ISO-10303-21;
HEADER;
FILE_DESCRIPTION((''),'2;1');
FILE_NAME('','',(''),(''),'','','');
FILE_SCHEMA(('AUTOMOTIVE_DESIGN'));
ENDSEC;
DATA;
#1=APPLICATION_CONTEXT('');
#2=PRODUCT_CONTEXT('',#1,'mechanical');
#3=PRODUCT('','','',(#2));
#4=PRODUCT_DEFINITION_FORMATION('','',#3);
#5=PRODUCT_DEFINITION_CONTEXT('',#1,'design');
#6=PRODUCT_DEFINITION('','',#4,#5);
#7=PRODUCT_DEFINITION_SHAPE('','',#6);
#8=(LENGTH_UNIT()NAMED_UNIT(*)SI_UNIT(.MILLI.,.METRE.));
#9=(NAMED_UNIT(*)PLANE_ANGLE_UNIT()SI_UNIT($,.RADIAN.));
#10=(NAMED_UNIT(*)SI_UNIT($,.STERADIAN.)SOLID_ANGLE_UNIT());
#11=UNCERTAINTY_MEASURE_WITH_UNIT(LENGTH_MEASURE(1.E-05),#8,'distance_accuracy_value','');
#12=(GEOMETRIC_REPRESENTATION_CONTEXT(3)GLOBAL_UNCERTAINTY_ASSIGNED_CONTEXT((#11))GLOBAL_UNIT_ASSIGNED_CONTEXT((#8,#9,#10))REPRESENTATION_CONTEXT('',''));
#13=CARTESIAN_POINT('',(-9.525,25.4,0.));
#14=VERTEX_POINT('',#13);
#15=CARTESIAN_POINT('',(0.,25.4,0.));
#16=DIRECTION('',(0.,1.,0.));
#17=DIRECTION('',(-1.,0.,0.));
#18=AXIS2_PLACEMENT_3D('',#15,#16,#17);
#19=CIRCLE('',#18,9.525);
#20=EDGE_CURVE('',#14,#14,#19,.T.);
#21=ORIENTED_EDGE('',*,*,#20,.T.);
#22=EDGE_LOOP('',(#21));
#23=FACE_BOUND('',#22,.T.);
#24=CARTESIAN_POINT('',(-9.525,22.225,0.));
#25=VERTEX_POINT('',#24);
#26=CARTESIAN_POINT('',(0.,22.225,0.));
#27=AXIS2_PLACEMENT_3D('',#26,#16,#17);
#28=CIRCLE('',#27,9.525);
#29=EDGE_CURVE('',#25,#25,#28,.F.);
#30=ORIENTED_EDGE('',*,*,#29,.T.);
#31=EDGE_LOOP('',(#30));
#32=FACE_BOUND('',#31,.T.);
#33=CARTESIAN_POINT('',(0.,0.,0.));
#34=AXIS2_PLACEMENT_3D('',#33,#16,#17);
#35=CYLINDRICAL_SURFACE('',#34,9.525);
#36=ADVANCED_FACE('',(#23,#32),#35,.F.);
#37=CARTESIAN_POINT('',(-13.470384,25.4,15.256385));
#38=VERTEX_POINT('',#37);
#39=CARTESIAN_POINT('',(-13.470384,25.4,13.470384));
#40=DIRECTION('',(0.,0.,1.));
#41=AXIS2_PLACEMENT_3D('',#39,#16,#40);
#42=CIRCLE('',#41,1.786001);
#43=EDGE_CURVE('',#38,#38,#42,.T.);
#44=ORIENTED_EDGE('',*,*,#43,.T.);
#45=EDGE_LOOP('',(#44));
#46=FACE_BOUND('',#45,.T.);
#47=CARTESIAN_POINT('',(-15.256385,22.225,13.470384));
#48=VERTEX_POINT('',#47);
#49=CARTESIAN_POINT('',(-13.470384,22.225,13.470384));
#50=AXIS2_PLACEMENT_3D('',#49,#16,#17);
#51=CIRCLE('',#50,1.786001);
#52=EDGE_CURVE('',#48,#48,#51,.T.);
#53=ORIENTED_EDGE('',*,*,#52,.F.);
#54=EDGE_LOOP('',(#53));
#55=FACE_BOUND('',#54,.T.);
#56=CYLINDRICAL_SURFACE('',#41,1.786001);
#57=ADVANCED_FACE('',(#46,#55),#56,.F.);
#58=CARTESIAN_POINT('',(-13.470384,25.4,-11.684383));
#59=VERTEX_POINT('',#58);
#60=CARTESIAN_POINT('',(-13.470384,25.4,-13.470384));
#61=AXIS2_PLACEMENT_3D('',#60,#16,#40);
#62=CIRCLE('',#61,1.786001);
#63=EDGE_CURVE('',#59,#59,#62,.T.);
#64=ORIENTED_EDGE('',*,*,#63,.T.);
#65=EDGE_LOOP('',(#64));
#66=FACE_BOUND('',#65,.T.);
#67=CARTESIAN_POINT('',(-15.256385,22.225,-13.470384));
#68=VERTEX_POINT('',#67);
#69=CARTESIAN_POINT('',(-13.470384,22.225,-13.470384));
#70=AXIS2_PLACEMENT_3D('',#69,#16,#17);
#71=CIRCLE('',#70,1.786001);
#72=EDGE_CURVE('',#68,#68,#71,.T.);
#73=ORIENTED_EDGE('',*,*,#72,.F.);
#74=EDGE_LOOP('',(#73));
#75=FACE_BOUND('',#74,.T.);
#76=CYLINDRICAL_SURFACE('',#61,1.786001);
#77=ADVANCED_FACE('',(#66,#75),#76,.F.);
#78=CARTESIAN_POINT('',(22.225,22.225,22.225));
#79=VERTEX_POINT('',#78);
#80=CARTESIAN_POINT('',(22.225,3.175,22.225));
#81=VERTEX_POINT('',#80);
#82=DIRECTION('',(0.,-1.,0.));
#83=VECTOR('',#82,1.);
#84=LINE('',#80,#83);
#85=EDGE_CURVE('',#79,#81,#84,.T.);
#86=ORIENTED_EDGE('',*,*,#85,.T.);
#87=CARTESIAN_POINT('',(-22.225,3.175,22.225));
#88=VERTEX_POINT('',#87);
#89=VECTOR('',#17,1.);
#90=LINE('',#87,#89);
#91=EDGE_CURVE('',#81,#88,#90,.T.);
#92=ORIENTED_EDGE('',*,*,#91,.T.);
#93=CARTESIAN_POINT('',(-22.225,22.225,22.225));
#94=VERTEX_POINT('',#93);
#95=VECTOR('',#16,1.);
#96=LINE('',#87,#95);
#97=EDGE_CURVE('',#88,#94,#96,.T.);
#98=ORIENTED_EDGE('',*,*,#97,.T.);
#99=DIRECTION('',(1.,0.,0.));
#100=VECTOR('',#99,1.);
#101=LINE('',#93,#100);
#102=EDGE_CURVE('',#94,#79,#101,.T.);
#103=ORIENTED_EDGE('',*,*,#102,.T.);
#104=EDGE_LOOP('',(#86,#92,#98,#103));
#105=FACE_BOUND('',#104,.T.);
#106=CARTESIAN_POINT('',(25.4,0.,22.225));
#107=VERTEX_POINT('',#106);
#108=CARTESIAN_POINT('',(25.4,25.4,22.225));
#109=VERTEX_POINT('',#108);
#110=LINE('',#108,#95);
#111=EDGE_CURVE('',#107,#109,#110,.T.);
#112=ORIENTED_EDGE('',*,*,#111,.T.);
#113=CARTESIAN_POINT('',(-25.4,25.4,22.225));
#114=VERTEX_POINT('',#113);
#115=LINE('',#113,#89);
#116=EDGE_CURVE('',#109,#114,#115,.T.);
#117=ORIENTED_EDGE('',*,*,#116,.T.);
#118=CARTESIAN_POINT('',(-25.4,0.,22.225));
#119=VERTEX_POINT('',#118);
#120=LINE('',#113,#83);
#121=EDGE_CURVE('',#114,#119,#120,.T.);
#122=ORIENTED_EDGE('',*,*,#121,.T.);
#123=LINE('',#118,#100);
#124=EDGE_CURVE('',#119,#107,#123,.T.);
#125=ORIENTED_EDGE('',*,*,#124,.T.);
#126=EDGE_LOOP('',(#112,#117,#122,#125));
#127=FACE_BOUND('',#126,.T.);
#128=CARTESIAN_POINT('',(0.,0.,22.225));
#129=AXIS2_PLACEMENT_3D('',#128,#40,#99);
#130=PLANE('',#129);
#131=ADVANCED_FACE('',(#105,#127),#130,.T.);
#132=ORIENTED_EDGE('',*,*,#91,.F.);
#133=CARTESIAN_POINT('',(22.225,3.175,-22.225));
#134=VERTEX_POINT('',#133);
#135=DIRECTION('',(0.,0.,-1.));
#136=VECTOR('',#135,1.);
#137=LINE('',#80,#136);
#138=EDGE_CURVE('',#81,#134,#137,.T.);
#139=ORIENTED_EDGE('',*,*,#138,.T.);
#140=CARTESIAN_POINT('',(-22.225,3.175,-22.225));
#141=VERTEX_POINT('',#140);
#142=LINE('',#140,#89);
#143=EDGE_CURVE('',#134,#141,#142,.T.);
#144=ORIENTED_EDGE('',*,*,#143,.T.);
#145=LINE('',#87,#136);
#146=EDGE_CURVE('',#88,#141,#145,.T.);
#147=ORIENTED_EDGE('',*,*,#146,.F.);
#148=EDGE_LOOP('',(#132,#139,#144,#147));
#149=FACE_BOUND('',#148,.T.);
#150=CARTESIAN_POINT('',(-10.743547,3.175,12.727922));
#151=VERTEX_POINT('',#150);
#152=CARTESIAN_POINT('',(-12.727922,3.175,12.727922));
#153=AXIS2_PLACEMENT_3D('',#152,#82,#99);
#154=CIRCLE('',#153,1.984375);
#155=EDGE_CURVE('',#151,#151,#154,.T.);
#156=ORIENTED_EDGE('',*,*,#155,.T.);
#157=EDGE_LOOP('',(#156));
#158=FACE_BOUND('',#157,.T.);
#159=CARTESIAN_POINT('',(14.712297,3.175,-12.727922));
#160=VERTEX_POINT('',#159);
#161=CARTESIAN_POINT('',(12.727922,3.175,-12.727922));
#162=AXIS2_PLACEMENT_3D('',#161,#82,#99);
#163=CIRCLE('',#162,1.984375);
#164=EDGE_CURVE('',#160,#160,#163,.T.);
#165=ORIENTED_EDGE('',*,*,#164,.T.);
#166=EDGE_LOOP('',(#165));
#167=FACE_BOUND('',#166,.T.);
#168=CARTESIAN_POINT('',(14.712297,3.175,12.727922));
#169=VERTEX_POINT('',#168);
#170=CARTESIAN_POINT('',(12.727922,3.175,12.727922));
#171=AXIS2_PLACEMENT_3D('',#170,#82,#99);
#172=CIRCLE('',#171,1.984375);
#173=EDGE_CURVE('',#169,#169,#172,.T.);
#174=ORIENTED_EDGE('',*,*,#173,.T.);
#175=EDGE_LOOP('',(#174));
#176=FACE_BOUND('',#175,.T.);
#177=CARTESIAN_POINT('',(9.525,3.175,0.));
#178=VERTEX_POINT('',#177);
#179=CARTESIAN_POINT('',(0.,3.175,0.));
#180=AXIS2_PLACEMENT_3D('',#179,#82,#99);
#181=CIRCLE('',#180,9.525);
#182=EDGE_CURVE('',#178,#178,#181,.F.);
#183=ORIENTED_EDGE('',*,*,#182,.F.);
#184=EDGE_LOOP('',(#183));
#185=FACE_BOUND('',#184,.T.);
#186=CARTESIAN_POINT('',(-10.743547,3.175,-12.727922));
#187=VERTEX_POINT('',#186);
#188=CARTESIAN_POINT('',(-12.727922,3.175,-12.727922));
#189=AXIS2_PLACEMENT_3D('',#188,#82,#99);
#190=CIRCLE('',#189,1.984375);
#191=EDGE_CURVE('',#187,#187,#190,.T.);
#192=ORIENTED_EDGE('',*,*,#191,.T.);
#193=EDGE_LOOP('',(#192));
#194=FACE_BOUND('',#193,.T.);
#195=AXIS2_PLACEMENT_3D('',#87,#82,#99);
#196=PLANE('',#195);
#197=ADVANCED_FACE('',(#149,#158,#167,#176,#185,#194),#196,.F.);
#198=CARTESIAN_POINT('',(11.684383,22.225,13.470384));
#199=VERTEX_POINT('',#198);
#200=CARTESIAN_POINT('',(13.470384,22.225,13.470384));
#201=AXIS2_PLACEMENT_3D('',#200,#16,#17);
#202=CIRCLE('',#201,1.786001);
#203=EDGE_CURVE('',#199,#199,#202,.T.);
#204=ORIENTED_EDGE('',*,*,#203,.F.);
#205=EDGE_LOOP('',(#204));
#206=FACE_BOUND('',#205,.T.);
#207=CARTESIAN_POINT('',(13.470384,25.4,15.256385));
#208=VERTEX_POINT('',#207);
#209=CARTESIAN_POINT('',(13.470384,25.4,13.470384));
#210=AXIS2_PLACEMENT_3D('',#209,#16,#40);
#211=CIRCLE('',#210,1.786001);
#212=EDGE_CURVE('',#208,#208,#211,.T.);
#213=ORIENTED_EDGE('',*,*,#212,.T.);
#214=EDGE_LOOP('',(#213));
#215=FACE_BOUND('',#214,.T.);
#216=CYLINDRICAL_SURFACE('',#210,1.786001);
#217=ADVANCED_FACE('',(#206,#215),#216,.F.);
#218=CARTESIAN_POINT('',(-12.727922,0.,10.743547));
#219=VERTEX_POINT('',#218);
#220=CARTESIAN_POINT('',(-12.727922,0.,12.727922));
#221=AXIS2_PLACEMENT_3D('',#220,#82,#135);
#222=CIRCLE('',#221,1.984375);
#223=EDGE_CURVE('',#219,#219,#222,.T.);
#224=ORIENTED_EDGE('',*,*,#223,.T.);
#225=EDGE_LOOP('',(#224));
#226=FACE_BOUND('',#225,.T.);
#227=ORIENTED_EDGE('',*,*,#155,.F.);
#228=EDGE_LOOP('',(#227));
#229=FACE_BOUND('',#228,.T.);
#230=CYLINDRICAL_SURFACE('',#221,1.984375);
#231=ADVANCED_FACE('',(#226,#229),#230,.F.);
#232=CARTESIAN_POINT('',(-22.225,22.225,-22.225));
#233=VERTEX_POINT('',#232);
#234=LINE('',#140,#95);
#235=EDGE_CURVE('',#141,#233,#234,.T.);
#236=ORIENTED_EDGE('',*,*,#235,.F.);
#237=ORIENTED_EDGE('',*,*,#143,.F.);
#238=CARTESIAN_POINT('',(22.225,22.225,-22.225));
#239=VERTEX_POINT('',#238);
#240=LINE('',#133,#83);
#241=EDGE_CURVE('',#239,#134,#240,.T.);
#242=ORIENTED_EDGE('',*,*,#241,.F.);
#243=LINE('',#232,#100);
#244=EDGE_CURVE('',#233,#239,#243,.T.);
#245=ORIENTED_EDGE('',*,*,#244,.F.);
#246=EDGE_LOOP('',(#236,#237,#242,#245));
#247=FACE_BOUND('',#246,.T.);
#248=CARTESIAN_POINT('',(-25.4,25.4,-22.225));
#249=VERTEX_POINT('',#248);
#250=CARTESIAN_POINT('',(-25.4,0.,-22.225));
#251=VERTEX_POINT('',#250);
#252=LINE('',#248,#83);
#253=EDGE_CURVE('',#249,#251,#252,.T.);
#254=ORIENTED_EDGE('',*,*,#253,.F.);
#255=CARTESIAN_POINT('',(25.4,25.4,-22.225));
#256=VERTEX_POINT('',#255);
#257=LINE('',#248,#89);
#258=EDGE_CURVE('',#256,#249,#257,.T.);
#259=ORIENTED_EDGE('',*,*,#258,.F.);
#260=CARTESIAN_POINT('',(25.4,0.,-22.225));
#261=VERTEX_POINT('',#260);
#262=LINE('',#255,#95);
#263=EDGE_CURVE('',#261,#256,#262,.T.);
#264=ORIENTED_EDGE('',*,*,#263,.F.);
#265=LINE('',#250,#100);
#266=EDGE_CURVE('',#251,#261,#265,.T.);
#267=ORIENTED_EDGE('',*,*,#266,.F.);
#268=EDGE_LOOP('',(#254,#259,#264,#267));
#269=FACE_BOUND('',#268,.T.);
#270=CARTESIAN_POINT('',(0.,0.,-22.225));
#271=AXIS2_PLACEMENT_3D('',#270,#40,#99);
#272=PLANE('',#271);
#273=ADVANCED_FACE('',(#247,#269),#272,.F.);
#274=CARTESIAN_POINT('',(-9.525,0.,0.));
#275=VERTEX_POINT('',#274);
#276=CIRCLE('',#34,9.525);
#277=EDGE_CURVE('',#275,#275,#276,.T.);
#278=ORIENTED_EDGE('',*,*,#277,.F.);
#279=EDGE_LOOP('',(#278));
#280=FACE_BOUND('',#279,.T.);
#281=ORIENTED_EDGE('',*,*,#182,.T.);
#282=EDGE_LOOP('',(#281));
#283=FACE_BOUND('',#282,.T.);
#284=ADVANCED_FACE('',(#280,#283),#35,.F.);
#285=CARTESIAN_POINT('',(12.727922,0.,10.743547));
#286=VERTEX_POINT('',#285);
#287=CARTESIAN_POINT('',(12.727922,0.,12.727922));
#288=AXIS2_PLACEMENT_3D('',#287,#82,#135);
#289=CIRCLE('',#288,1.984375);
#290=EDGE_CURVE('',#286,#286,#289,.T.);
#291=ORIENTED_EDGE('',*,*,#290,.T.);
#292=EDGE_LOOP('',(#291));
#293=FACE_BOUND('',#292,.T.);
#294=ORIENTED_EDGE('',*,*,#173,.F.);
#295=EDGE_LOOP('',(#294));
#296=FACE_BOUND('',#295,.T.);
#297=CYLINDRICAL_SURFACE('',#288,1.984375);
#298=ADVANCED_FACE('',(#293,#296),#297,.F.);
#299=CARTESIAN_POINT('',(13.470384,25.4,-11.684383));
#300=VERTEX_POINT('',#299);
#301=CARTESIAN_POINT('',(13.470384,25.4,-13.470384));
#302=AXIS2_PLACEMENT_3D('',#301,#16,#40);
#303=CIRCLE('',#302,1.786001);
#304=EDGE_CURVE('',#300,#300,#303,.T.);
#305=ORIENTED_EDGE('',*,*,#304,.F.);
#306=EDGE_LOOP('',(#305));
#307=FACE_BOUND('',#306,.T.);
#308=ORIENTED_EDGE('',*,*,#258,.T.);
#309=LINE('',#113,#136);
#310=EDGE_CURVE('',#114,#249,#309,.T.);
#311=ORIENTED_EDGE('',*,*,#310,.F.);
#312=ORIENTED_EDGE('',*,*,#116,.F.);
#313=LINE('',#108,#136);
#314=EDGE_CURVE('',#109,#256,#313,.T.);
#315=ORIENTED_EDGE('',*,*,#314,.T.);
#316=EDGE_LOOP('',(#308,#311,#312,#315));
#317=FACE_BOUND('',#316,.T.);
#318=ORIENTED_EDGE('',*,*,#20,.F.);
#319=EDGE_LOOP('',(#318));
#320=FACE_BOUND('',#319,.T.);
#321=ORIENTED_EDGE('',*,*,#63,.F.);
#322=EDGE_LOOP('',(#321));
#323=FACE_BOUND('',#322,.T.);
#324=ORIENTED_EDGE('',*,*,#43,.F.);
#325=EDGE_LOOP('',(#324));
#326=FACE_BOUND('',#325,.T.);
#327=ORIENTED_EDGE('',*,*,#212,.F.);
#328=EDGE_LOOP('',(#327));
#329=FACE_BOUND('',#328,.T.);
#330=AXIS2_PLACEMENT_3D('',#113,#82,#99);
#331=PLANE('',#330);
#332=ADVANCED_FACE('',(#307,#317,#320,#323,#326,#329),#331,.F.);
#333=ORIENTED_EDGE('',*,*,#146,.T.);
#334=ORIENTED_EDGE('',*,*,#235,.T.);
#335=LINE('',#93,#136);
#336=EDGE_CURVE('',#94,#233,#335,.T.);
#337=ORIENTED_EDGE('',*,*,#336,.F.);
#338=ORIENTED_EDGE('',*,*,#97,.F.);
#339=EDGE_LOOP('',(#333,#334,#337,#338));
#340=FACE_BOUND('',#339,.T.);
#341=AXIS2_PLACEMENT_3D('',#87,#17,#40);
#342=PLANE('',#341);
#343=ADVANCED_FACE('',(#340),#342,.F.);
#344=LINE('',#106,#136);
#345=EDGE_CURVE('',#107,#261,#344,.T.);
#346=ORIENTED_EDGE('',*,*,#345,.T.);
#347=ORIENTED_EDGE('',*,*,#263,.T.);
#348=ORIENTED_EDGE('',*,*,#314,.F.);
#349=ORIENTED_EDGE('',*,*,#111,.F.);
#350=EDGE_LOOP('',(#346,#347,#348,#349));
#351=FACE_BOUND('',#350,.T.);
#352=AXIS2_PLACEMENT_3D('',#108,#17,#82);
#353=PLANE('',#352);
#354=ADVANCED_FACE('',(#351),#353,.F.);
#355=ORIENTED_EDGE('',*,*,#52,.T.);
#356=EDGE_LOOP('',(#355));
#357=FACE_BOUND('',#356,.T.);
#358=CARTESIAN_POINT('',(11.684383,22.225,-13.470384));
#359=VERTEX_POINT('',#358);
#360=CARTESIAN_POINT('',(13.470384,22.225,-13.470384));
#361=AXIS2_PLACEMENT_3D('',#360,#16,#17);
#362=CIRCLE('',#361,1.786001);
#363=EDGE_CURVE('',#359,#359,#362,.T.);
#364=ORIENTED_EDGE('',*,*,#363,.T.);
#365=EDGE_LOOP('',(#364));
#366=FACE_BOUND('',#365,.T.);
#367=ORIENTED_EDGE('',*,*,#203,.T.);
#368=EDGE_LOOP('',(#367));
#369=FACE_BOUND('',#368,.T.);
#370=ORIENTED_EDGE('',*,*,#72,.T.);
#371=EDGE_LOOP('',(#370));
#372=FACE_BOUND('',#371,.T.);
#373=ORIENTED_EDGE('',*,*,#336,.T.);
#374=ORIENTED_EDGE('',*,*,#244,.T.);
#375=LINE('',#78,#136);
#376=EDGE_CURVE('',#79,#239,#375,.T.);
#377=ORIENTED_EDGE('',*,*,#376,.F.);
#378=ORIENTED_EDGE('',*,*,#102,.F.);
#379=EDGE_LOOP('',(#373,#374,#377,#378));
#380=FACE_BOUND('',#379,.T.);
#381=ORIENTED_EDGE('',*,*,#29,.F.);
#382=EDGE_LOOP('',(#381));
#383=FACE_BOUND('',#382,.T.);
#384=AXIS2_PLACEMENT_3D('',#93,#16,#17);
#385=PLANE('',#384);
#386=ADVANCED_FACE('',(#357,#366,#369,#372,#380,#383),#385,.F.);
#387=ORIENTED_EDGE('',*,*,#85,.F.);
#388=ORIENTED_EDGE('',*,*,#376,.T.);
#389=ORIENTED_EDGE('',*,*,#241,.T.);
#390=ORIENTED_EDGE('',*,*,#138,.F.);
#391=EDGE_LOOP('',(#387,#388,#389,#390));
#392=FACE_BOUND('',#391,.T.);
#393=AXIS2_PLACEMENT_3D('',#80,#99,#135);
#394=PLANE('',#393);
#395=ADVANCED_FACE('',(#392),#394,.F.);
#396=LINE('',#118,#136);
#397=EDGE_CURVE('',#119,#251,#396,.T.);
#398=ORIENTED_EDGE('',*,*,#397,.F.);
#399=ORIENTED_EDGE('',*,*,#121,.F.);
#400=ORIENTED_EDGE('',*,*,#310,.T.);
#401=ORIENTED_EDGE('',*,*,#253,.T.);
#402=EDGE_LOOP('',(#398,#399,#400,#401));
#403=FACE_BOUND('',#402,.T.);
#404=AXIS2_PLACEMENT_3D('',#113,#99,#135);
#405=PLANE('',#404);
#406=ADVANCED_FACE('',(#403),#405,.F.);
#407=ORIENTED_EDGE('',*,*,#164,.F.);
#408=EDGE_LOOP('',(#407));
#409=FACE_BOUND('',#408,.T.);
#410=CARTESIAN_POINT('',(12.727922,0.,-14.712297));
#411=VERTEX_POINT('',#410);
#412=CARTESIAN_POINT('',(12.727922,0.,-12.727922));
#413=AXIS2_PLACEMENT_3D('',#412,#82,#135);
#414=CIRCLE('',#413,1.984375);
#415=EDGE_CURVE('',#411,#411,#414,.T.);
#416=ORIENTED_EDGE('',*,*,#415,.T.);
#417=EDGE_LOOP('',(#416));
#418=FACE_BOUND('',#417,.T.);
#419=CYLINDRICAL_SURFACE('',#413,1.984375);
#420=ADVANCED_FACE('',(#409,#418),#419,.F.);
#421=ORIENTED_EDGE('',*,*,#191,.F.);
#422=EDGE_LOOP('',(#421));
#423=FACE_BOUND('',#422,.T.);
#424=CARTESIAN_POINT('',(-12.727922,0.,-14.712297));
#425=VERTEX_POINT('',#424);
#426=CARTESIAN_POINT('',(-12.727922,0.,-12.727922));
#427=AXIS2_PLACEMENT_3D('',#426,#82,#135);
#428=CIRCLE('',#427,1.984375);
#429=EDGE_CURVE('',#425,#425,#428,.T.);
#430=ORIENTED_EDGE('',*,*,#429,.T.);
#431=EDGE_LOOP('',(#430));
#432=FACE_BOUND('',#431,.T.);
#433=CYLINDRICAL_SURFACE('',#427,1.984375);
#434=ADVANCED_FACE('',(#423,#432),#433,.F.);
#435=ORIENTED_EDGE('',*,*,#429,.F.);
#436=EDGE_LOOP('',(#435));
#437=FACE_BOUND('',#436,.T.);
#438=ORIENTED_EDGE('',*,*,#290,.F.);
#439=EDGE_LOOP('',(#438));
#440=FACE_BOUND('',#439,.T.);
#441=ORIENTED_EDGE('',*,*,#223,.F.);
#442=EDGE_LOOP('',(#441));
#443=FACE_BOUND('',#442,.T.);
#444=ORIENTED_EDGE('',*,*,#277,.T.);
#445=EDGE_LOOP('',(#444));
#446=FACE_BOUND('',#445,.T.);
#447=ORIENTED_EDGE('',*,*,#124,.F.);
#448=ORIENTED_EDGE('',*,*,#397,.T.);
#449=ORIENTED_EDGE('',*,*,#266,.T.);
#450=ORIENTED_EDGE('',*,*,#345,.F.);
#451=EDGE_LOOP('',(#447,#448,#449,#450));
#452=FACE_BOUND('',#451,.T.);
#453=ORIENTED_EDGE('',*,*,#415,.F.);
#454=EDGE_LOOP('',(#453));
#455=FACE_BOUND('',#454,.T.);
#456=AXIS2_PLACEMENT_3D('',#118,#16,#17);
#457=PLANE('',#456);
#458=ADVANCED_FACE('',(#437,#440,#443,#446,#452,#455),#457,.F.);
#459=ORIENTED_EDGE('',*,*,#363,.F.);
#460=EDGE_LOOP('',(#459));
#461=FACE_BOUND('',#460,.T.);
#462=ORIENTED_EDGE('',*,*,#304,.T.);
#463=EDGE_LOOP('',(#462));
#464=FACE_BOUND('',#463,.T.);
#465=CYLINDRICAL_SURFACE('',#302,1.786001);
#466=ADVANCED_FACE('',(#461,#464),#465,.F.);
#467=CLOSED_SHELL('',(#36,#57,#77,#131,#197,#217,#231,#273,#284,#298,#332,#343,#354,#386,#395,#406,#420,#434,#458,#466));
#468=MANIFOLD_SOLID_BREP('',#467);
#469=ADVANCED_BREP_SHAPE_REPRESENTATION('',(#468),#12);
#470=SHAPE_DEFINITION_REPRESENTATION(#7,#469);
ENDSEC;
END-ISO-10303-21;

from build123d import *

# Parameters (mm, degrees)
SKETCH1_W                           = 50.8
SKETCH1_H                           = 25.4
BOSS_EXTRUDE1_DEPTH                 = 22.225
SKETCH2_R                           = 9.525
CUT_EXTRUDE1_DEPTH                  = 26.4
SKETCH4_W                           = 44.45
SKETCH4_H                           = 19.05
CUT_EXTRUDE3_DEPTH                  = 45.45
F_9_64_0_14063_DIAMETER_HOLE2_D     = 3.572002
F_9_64_0_14063_DIAMETER_HOLE2_DEPTH = 3.175
F_5_32_0_15625_DIAMETER_HOLE1_D     = 3.96875
F_5_32_0_15625_DIAMETER_HOLE1_DEPTH = 3.175


with BuildPart() as part:
    # Sketch1 → Boss-Extrude1 (new body, symmetric)
    with BuildSketch(Plane.XY):
        with Locations((0, 12.7)):
            Rectangle(SKETCH1_W, SKETCH1_H)
    extrude(amount=BOSS_EXTRUDE1_DEPTH, both=True)

    # Sketch2 → Cut-Extrude1 (cut, through all)
    with BuildSketch(Plane(origin=(0, 25.4, 0), x_dir=(1, 0, 0), z_dir=(0, 1, 0))):
        Circle(SKETCH2_R)
    extrude(amount=-CUT_EXTRUDE1_DEPTH, mode=Mode.SUBTRACT)

    # Sketch4 → Cut-Extrude3 (cut, through all)
    with BuildSketch(Plane(origin=(0, 0, -22.225), x_dir=(-1, 0, 0), z_dir=(0, 0, -1))):
        with Locations((0, 12.7)):
            Rectangle(SKETCH4_W, SKETCH4_H)
    extrude(amount=-CUT_EXTRUDE3_DEPTH, mode=Mode.SUBTRACT)

    # 9/64 (0.14063) Diameter Hole2
    with Locations(Plane(origin=(0, 25.4, 0), x_dir=(1, 0, 0), z_dir=(0, 1, 0))):
        with Locations((-13.470384182, 13.470384182), (13.470384182, 13.470384182), (13.470384182, -13.470384182), (-13.470384182, -13.470384182)):
            Hole(F_9_64_0_14063_DIAMETER_HOLE2_D / 2, depth=F_9_64_0_14063_DIAMETER_HOLE2_DEPTH)

    # 5/32 (0.15625) Diameter Hole1
    with Locations(Plane(origin=(0, 0, 0), x_dir=(-1, 0, 0), z_dir=(0, -1, 0))):
        with Locations((-12.727922061, 12.727922061), (12.727922061, 12.727922061), (12.727922061, -12.727922061), (-12.727922061, -12.727922061)):
            Hole(F_5_32_0_15625_DIAMETER_HOLE1_D / 2, depth=F_5_32_0_15625_DIAMETER_HOLE1_DEPTH)


solid = part.part
